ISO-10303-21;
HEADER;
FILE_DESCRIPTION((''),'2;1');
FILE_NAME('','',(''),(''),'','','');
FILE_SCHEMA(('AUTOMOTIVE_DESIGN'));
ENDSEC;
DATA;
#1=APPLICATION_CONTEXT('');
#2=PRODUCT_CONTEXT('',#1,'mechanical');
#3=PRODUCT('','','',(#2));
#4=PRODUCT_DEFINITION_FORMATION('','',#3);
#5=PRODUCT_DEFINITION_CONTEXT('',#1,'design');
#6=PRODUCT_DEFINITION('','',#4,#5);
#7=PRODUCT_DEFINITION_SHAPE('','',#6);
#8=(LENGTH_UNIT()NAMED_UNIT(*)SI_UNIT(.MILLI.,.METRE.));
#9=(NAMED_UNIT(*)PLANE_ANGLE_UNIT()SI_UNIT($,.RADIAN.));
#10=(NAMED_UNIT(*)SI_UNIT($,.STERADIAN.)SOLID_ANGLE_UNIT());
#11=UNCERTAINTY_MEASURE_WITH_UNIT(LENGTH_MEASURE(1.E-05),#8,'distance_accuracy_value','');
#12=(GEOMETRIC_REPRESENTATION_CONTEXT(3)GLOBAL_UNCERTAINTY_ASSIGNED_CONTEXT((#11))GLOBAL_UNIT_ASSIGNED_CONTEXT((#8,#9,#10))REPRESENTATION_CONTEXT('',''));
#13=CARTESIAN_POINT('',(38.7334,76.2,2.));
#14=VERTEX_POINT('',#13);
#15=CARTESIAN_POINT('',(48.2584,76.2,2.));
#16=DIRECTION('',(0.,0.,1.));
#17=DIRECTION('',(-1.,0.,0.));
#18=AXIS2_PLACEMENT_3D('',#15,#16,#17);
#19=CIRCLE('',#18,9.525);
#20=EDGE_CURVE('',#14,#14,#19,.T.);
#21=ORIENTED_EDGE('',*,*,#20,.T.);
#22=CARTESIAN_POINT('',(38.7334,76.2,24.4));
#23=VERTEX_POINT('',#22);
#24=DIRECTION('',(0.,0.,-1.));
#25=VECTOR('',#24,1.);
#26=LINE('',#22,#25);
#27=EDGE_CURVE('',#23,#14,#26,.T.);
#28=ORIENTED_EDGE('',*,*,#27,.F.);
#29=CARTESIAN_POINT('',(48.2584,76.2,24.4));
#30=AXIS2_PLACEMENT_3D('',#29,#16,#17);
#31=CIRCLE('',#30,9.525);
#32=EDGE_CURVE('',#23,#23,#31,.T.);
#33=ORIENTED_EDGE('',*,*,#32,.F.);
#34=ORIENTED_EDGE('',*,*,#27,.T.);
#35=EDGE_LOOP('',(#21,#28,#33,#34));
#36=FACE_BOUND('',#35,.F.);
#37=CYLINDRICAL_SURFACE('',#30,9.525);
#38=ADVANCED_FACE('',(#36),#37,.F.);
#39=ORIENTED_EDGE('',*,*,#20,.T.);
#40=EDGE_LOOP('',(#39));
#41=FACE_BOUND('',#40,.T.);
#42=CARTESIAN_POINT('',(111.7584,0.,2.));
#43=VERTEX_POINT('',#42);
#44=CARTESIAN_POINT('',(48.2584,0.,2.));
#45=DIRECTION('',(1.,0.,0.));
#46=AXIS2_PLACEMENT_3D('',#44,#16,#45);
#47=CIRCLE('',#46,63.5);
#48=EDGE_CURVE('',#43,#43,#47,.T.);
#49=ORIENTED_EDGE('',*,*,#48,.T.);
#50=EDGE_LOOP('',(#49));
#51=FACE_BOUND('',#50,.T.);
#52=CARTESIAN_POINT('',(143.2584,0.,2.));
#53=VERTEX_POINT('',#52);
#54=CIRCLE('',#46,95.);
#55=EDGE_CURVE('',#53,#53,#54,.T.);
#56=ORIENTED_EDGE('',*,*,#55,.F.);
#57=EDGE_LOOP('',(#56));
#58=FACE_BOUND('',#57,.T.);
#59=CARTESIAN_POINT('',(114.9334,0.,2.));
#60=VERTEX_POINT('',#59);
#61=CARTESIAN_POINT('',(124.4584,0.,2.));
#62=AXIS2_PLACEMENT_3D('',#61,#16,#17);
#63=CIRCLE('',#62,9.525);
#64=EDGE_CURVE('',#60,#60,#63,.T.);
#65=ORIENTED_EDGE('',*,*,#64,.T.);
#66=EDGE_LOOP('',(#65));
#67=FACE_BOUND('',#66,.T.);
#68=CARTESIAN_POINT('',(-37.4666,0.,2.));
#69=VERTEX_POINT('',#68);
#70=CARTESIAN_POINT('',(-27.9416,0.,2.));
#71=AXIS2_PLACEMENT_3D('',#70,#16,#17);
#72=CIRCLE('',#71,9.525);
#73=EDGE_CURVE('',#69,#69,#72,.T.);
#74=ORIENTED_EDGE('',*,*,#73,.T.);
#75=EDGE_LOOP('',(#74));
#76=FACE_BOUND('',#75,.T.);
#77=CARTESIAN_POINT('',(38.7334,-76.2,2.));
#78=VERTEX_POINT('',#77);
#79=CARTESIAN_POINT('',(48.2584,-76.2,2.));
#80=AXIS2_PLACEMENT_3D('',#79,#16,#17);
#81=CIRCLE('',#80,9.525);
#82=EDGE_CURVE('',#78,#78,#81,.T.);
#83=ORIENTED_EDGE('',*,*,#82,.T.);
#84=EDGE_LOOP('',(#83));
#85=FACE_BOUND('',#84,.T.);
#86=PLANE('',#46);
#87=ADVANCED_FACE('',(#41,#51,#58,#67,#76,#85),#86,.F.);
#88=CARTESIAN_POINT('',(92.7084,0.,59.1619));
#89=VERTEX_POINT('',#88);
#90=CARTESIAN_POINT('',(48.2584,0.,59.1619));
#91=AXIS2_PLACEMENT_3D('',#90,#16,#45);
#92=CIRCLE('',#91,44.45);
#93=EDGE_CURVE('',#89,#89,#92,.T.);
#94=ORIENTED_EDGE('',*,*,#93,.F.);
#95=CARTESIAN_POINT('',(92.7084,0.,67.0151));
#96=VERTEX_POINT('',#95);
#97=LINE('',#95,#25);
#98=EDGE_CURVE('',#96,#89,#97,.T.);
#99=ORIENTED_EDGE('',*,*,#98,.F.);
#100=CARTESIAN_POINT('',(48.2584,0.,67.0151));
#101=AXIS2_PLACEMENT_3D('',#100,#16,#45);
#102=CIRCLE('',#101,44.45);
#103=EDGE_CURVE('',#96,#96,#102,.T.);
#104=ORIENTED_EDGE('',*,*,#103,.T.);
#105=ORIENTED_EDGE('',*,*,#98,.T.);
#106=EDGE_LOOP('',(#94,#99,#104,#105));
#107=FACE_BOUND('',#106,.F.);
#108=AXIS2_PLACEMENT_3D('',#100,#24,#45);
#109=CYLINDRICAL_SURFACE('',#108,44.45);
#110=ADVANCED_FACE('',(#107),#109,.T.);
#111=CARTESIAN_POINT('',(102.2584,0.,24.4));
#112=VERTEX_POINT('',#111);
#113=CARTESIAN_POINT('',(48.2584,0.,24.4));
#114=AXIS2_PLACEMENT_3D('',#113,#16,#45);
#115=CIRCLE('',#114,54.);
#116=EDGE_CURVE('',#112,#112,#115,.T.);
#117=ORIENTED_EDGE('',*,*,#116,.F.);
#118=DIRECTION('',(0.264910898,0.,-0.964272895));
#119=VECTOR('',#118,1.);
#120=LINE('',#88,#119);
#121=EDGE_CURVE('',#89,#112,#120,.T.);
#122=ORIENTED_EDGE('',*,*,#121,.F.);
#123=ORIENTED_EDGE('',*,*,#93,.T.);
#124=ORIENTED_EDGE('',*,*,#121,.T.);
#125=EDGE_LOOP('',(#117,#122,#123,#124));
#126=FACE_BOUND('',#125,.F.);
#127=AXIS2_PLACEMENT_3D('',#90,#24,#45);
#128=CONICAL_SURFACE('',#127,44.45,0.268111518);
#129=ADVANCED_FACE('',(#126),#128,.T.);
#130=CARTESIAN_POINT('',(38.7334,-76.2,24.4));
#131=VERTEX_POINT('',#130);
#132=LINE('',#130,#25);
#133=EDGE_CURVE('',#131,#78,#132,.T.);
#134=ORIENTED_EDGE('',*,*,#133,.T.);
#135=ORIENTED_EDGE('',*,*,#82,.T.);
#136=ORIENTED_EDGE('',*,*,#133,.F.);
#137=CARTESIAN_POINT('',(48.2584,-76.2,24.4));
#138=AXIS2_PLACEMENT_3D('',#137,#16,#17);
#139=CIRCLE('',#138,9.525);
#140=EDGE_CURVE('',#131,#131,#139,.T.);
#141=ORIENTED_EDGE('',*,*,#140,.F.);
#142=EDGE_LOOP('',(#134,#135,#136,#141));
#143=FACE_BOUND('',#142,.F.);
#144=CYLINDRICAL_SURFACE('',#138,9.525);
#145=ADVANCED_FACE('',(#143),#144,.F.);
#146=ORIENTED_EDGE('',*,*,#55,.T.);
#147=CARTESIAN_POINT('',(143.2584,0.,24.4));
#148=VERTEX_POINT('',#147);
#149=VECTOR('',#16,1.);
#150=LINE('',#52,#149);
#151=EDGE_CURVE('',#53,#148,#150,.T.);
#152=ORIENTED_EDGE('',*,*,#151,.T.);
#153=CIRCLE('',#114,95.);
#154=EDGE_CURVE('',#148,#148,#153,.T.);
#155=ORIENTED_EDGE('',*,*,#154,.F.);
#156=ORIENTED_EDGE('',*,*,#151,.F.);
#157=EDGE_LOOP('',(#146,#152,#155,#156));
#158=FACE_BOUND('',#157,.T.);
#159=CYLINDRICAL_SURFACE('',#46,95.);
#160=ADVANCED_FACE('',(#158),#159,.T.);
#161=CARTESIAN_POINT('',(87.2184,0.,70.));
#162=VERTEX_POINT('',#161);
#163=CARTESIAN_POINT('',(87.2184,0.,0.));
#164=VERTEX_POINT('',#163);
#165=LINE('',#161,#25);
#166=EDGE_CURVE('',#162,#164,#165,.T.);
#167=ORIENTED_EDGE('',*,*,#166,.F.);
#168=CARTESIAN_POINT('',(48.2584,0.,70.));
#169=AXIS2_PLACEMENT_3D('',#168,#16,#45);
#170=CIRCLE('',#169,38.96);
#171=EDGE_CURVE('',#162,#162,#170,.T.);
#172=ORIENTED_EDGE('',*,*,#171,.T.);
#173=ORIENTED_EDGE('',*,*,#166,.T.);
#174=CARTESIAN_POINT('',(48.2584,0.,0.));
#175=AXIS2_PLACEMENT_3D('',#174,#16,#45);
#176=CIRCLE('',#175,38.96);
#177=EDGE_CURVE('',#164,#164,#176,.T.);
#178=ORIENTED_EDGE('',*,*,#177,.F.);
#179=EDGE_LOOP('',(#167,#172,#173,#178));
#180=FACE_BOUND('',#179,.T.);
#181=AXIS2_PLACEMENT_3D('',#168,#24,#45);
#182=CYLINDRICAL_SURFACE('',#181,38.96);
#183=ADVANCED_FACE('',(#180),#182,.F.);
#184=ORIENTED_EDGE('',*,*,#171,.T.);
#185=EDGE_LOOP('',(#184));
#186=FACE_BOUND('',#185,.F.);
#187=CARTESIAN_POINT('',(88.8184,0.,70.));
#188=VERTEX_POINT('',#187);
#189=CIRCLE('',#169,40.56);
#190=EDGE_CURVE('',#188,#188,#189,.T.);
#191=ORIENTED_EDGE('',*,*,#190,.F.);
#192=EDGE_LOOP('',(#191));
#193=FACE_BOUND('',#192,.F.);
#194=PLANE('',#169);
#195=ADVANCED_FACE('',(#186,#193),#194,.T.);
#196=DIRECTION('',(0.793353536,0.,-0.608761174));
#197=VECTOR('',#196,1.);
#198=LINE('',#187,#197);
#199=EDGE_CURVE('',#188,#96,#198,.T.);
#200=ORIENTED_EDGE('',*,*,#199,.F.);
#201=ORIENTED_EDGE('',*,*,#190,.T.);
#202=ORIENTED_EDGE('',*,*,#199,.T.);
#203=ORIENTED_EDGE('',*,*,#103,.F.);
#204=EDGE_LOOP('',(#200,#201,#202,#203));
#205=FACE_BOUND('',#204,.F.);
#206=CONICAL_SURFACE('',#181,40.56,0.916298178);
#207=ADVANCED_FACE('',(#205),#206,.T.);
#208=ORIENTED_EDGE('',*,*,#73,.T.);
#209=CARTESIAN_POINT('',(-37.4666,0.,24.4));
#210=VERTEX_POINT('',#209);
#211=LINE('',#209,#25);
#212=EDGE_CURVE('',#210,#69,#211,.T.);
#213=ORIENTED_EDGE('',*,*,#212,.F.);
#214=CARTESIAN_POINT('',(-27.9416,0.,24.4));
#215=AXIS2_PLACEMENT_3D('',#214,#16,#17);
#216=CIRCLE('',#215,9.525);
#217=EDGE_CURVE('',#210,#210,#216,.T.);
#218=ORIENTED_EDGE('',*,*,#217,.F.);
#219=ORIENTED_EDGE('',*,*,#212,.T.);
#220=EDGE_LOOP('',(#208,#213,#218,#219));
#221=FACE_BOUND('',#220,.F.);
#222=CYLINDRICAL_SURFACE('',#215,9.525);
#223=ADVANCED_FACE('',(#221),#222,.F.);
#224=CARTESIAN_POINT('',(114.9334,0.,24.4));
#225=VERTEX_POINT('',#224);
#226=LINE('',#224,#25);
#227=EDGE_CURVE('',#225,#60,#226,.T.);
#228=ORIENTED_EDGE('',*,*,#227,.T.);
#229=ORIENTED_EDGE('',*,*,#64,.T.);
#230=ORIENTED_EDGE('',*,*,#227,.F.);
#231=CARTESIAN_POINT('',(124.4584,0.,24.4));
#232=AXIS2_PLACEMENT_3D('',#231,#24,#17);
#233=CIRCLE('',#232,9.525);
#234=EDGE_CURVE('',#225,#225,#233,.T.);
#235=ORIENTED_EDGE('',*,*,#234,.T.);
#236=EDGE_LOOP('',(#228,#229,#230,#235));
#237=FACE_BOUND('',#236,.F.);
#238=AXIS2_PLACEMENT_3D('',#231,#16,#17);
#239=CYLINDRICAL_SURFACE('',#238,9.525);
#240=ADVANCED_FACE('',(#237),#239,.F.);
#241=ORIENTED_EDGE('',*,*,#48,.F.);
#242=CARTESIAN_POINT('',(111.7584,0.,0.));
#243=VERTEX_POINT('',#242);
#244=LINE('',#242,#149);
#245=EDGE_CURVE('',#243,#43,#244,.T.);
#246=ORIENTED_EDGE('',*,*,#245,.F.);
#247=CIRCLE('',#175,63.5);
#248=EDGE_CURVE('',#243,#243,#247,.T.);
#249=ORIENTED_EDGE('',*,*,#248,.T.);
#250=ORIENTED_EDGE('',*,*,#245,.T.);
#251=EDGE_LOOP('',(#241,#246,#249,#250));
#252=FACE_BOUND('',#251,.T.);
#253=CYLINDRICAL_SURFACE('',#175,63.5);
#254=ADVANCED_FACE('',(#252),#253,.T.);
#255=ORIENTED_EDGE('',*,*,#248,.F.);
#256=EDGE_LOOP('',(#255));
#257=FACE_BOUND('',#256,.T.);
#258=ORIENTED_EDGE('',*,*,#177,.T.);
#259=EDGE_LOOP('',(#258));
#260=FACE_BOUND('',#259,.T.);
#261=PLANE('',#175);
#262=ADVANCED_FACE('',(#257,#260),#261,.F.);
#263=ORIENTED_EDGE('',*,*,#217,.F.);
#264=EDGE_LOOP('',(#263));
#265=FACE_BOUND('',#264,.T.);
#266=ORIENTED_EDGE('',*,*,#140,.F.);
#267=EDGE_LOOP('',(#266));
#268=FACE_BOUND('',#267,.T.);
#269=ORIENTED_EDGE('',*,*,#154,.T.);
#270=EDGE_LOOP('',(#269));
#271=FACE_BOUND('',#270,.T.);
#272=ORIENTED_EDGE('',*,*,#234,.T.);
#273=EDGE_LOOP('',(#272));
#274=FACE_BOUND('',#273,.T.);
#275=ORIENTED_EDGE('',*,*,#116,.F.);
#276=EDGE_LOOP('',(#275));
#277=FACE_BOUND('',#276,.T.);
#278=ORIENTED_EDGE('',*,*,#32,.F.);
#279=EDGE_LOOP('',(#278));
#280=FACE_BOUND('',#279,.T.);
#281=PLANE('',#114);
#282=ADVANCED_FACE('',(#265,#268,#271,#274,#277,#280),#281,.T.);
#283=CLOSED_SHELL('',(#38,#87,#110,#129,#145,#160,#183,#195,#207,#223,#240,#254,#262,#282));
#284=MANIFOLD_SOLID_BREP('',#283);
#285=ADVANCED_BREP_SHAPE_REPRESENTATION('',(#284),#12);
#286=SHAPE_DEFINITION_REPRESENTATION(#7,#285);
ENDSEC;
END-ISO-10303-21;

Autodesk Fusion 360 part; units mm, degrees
sketch "Sketch1" plane through (0, 0, 0) normal (0, 1, 0) x (1, 0, 0)
  line L0 (-15.2416, 0) -> (111.7584, 0)
  line L1 (48.2584, 0) -> (48.2584, -53.1739) construction
  line L2 (48.2584, 0) -> (48.2584, 47.0218) construction
  line L3 (111.7584, 0) -> (111.7584, -2)
  line L4 (111.7584, -2) -> (143.2584, -2)
  line L5 (143.2584, -2) -> (143.2584, -24.4)
  line L6 (143.2584, -24.4) -> (102.2584, -24.4)
  line L7 (48.2584, 0) -> (48.2584, -70)
  line L8 (48.2584, -70) -> (87.2184, -70)
  line L9 (48.2584, -70) -> (87.2184, -70)
  line L10 (48.2584, -70) -> (87.2184, -70)
  line L11 (87.2184, -70) -> (87.2184, 10) construction
  line L12 (87.2184, 10) -> (92.7084, 10) construction
  line L13 (92.7084, 10) -> (92.7084, -70) construction
  line L14 (92.7084, -70) -> (102.2584, -70) construction
  line L15 (102.2584, -70) -> (102.2584, 10) construction
  line L16 (102.2584, 10) -> (92.7084, 10) construction
  line L17 (87.2184, -70) -> (84.6384, -70) construction
  line L18 (92.7084, -59.1619) -> (102.2584, -24.4)
  line L19 (87.2184, -70) -> (88.8184, -70)
  line L20 (88.8184, -70) -> (92.7084, -67.0151)
  line L21 (88.8184, -70) -> (93.7216, -70) construction
  line L22 (92.7084, -67.0151) -> (92.7084, -59.1619)
  line L23 (87.2184, -70) -> (87.2184, 0)
  line L24 (48.2584, 0) -> (111.7584, 0)
  line L25 (124.4584, 0) -> (124.4584, -29) construction
  dimension "d1" = 127
  dimension "d2" = 2
  dimension "d3" = 22.4
  dimension "d4" = 31.5
  dimension "d5" = 70
  dimension "d6" = 38.96
  dimension "d7" = 44.45
  dimension "d11" = 9.55
  dimension "d13" = 1.6
  dimension "d14" = 37.5
  dimension "d21" = 76.2
revolve "Revolve1" add sketch "Sketch1" angle 360 about axis through (48.2584, 0, 0) along (0, 0, 1) contours L0 L3 L4 L5 L6 L18 L19 L20 L22 L23 L24
sketch "Sketch2" plane through (0, 0, 24.4) normal (0, 0, 1) x (-1, 0, 0)
  circle A0 centre (-48.2584, 0) radius 95
  circle A1 centre (-48.2584, 0) radius 54
  line L0 (-143.2584, 0) -> (-102.2584, 0)
  line L1 (-102.2584, 0) -> (-114.9584, 0)
  line L2 (15.2416, 0) -> (-111.7584, 0)
  line L3 (-48.2584, 0) -> (-80, 0)
  line L4 (-48.2584, 0) -> (-124.4584, 0)
  circle A2 centre (-124.4584, 0) radius 9.525
  circle A3 centre (-48.2584, -76.2) radius 9.525
  circle A4 centre (27.9416, 0) radius 9.525
  circle A5 centre (-48.2584, 76.2) radius 9.525
  point P0 (-124.4584, 0)
  point P1 (-102.2584, 0)
  dimension "d22" = 12.7
  dimension "d23" = 76.2
  dimension "d24" = 19.05
  dimension "d26" = 360
extrude "Extrude2" cut sketch "Sketch2" against normal blind 100 contours L0 L1 L4 A2 | L0 L1 L4 A2 | A3 | A4 | A5
